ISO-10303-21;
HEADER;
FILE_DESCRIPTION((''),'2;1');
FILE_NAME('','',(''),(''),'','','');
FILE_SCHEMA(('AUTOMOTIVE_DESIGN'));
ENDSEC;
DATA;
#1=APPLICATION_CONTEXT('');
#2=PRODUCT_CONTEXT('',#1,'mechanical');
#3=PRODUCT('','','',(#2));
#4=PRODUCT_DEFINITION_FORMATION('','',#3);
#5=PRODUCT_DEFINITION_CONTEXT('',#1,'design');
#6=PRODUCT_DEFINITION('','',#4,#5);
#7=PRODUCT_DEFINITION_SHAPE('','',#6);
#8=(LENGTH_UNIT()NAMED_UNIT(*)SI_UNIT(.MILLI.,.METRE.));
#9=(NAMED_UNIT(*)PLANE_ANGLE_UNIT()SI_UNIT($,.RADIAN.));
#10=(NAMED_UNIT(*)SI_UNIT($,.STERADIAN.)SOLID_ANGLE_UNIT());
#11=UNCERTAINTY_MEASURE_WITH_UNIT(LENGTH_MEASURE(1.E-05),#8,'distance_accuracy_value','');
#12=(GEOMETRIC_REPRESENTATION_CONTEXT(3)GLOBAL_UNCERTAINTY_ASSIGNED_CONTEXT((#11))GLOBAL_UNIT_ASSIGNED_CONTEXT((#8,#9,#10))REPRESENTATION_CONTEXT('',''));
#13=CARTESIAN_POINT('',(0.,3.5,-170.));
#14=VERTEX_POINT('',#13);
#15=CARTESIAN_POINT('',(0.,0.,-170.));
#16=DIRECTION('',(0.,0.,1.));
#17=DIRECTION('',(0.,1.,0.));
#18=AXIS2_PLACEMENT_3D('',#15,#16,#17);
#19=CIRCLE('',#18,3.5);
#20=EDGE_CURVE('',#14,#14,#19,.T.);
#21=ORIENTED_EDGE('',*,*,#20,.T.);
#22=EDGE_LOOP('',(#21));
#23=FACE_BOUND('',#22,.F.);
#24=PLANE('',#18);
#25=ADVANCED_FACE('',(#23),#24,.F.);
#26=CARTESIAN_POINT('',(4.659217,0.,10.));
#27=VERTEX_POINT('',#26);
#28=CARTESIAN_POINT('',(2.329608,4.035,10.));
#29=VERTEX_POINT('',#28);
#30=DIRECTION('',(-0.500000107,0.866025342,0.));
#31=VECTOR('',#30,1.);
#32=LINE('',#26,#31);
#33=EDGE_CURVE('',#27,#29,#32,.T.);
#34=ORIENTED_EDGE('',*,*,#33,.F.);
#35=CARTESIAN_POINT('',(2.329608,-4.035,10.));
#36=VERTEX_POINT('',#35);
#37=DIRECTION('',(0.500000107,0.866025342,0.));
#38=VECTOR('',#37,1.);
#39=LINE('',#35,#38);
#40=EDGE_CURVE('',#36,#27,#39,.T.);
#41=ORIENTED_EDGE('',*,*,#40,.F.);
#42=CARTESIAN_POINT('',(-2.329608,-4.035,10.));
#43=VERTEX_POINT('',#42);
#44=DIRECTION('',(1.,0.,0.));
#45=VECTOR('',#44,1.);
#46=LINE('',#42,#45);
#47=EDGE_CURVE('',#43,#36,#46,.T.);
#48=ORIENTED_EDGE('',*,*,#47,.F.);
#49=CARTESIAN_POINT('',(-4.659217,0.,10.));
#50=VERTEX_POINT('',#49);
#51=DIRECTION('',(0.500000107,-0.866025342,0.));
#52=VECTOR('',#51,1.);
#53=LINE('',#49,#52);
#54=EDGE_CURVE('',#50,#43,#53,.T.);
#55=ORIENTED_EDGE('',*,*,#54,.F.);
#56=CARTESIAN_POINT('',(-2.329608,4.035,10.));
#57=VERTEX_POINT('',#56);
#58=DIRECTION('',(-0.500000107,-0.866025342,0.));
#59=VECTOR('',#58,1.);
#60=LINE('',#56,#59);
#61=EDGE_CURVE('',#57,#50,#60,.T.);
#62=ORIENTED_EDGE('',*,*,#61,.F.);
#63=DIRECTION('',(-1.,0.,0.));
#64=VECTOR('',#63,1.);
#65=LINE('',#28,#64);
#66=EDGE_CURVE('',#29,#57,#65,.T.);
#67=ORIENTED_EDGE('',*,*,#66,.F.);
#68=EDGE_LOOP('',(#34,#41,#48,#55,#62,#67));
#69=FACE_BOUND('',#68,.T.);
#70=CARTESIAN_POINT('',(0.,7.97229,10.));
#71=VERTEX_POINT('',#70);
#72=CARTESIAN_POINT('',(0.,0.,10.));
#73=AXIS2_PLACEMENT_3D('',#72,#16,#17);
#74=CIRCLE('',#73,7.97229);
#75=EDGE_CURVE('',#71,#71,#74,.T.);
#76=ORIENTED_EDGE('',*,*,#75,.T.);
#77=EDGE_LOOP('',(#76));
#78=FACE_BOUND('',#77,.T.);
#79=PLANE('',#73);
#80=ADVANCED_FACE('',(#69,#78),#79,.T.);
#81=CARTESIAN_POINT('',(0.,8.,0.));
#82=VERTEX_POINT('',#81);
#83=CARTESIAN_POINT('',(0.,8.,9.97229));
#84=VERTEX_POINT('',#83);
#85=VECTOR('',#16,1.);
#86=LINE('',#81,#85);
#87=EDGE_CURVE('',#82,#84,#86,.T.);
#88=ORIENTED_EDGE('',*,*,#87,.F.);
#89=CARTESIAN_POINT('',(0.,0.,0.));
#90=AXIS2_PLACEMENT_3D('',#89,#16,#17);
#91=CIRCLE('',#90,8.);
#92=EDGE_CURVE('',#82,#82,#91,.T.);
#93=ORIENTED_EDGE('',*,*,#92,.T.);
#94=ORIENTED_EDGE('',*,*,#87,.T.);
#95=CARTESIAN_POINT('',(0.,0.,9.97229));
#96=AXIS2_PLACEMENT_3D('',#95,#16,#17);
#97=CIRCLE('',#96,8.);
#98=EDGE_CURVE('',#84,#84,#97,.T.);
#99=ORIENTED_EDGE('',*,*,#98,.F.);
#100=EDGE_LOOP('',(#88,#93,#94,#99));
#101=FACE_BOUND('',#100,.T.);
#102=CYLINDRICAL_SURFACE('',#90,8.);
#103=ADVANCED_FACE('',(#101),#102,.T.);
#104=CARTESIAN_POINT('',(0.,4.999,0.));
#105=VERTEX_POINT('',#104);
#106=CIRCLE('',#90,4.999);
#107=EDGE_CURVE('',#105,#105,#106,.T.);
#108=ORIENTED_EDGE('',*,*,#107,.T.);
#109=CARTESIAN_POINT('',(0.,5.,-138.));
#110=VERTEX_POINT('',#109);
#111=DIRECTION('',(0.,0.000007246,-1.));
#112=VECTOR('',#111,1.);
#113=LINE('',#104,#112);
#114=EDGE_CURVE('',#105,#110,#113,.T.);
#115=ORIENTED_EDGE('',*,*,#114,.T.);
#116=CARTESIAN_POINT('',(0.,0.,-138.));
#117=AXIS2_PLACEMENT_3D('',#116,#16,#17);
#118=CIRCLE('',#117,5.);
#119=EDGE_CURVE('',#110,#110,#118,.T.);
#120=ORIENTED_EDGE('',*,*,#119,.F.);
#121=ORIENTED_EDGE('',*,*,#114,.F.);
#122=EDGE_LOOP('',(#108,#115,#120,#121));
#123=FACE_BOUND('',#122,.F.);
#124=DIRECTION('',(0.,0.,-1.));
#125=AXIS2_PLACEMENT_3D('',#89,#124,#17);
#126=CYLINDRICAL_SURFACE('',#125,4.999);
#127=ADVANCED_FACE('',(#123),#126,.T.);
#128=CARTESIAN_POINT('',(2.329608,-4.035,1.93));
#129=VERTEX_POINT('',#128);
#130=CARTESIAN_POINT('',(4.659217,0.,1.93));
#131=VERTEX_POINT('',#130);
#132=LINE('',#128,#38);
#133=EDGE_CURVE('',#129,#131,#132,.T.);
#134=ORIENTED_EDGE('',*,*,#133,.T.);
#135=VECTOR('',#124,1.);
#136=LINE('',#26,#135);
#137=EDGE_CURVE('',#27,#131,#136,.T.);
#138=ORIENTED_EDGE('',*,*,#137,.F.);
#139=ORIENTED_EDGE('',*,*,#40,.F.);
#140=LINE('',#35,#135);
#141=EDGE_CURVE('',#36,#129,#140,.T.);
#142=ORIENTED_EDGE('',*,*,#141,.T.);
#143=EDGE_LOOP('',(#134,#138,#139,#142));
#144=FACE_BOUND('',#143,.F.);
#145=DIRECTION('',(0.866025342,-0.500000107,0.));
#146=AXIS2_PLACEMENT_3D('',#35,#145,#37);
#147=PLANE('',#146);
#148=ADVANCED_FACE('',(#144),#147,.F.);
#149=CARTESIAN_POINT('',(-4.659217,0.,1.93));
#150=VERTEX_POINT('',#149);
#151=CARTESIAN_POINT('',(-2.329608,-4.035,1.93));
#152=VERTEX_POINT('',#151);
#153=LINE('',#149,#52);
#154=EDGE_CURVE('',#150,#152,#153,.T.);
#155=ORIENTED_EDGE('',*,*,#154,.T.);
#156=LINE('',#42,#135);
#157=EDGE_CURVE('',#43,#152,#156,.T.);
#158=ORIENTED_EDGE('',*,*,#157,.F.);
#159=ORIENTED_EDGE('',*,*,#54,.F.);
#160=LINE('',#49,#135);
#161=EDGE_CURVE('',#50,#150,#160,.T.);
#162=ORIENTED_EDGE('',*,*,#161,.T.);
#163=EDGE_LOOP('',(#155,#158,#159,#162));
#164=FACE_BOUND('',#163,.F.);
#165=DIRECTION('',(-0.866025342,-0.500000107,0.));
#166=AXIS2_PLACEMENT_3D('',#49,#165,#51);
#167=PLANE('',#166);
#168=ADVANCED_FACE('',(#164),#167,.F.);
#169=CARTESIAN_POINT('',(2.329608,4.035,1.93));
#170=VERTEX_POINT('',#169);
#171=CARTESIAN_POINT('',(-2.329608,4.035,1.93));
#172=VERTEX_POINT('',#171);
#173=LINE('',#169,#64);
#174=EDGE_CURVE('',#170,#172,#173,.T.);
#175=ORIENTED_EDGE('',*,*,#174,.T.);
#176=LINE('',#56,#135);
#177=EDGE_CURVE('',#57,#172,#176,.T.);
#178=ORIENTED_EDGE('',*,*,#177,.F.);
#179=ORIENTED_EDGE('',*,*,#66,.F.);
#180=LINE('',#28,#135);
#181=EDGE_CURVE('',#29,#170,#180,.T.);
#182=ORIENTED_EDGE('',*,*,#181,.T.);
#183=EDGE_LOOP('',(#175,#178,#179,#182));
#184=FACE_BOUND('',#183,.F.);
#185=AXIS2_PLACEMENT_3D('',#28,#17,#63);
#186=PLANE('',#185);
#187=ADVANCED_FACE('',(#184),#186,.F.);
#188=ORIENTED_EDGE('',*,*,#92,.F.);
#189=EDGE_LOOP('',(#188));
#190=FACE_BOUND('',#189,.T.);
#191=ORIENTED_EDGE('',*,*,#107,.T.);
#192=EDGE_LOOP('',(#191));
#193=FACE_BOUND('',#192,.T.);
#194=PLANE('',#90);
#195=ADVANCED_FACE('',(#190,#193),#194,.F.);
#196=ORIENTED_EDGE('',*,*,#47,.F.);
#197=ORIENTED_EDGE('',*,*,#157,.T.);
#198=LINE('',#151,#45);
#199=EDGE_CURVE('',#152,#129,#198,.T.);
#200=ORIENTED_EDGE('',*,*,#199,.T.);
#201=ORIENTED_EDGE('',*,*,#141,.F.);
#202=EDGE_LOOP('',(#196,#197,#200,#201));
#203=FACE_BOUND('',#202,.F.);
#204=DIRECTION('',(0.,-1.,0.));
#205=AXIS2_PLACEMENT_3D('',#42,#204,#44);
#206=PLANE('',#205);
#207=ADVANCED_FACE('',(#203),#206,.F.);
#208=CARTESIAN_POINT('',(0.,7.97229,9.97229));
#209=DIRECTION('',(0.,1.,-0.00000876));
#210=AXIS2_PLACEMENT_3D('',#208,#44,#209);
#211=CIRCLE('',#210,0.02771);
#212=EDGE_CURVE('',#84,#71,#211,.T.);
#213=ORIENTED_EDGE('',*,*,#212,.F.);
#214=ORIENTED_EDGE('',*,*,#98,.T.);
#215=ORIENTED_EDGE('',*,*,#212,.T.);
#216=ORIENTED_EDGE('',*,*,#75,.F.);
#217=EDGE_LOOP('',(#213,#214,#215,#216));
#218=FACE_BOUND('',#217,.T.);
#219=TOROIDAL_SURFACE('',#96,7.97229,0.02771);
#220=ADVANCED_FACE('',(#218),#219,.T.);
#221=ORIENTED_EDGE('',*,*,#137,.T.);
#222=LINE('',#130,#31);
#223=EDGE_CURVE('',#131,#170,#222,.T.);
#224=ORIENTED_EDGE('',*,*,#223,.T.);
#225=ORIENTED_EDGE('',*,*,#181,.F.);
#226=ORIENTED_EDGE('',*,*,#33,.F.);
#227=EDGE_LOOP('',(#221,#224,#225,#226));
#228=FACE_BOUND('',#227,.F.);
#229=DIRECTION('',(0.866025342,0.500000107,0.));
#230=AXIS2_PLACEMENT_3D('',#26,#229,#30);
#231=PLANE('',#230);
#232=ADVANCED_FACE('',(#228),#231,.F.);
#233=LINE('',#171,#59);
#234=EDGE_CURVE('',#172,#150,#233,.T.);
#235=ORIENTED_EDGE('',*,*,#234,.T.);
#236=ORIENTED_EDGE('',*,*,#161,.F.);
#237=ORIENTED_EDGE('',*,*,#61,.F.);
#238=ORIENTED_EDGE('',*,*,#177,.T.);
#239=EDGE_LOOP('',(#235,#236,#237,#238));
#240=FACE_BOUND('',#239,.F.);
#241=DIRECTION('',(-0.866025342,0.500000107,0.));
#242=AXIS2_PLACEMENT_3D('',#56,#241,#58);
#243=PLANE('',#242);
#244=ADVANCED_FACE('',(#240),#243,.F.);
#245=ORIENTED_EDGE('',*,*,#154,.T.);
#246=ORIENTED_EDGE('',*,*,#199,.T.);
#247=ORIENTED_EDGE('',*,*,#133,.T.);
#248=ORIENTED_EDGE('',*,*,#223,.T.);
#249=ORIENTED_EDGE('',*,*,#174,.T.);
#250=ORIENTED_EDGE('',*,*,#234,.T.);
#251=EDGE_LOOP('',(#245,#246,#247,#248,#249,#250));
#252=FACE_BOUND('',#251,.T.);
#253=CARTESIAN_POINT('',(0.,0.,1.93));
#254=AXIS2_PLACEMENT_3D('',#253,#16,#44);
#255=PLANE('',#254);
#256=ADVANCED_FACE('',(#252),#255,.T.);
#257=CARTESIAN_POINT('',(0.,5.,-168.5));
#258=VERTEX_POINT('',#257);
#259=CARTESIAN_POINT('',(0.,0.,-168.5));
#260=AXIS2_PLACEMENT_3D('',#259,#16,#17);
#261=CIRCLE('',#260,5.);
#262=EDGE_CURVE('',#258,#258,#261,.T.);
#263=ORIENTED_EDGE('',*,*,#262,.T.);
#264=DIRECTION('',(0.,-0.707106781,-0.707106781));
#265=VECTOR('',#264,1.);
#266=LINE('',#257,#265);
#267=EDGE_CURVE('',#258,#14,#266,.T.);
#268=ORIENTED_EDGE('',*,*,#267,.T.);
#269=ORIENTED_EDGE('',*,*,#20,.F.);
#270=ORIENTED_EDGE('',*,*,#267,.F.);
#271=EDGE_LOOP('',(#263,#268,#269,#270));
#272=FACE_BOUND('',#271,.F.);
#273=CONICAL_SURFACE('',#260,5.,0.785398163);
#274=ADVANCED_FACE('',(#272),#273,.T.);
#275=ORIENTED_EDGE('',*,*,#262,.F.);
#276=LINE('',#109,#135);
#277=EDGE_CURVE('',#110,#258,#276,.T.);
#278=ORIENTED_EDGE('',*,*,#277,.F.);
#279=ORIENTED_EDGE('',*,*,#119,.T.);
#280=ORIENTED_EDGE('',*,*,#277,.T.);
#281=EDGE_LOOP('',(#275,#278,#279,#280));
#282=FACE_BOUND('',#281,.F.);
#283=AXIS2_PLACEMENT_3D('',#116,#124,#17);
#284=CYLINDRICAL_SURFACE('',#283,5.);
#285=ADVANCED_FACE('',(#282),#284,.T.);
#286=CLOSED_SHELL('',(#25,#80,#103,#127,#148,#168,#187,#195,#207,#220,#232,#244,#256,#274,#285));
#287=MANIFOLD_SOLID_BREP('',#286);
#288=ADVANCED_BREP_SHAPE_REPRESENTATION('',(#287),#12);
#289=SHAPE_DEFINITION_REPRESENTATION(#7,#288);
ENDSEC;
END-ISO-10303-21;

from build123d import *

# Parameters (mm, degrees)
POCKET_DEPTH = 8.07


with BuildPart() as part:
    # Sketch → Revolve (revolve)
    with BuildSketch(Plane.YZ):
        with BuildLine():
            Line((4.999, 0), (8, 0))
            Line((8, 0), (8, 9.97229))
            ThreePointArc((8, 9.97229), (7.991884, 9.991884), (7.97229, 10))
            Line((7.97229, 10), (0, 10))
            Line((0, -170), (0, 10))
            Line((3.5, -170), (0, -170))
            Line((5, -168.5), (3.5, -170))
            Line((5, -138), (5, -168.5))
            Line((4.999, 0), (5, -138))
        make_face()
    revolve(axis=Axis((0, 0, 0), (0, 0, 1)))

    # Sketch001 → Pocket (cut)
    with BuildSketch(Plane.XY.offset(10)):
        Polygon((4.659217, 0), (2.329608, 4.035), (-2.329608, 4.035), (-4.659217, 0), (-2.329608, -4.035), (2.329608, -4.035), align=None)
    extrude(amount=-POCKET_DEPTH, mode=Mode.SUBTRACT)


solid = part.part
